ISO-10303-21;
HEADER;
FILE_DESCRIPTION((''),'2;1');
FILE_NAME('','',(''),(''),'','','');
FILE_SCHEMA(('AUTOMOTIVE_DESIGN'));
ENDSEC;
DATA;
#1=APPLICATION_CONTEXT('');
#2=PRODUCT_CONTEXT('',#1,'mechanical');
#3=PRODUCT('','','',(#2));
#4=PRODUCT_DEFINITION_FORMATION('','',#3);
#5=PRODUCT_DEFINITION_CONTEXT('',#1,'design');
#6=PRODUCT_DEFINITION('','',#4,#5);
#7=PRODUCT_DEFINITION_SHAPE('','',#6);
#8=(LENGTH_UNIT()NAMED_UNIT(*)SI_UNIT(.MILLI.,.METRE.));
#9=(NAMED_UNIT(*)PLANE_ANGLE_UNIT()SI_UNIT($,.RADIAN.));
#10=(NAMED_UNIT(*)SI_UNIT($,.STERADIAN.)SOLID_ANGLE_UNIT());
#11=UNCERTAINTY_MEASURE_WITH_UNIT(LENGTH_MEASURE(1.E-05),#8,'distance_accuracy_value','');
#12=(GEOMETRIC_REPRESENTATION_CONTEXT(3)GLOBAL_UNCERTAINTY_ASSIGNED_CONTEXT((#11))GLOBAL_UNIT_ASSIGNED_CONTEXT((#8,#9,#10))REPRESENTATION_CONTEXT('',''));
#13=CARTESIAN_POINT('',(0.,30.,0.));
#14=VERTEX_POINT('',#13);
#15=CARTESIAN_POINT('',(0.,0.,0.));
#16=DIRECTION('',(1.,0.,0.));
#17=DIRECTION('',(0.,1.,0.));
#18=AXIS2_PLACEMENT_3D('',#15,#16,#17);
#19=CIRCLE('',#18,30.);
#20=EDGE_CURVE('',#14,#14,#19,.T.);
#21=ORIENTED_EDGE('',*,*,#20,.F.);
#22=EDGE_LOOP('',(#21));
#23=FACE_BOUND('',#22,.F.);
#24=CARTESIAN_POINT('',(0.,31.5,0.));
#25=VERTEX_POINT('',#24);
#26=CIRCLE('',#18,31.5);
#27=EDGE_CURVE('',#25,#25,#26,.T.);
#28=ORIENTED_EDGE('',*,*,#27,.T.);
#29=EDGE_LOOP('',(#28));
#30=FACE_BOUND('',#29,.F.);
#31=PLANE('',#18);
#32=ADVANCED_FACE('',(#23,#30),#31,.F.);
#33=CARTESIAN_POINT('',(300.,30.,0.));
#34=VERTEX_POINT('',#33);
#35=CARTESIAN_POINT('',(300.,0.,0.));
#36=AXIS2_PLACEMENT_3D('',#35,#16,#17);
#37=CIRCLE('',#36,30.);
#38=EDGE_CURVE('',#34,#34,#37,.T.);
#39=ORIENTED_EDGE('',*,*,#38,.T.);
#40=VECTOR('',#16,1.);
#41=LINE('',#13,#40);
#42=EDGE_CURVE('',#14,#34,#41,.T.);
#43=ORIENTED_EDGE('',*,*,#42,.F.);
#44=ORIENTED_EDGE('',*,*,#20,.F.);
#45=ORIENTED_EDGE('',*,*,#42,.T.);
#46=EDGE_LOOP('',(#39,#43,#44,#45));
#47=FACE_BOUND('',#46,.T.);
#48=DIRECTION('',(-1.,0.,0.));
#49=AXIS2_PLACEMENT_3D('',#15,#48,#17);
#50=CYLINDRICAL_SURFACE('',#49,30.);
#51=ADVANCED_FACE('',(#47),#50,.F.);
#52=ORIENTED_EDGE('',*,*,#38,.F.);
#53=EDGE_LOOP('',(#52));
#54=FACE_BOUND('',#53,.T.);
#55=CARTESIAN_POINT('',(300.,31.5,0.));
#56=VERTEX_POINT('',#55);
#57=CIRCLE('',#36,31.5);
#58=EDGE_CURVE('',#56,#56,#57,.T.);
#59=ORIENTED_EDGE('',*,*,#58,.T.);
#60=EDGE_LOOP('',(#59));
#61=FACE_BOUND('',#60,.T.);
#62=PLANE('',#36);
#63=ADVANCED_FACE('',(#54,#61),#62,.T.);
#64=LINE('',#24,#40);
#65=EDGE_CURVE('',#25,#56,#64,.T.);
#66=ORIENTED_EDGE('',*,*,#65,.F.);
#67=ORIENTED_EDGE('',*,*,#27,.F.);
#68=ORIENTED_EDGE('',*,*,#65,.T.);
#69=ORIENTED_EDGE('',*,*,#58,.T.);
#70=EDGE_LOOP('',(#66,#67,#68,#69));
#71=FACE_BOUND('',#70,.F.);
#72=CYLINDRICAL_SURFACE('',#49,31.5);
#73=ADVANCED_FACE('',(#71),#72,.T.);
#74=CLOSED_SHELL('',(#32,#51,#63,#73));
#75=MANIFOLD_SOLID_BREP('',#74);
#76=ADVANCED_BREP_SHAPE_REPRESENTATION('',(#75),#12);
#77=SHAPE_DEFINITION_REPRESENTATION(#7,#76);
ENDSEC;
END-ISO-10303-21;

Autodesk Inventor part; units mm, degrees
ref_plane "YZ Plane" through (0, 0, 0) normal (1, 0, 0) x (0, 1, 0)
ref_plane "XZ Plane" through (0, 0, 0) normal (0, 1, 0) x (-1, 0, 0)
ref_plane "XY Plane" through (0, 0, 0) normal (0, 0, 1) x (1, 0, 0)
sketch "Boceto1" plane through (0, 0, 0) normal (1, 0, 0) x (0, 1, 0)
  circle A0 centre (0, 0) radius 30
  circle A1 centre (0, 0) radius 31.5
  dimension "d0" = 60
  dimension "d1" = 63
extrude "Extrusión1" add sketch "Boceto1" along normal blind 300
properties part number "tubo pre distribucion" material "PVC, no plastificado"
